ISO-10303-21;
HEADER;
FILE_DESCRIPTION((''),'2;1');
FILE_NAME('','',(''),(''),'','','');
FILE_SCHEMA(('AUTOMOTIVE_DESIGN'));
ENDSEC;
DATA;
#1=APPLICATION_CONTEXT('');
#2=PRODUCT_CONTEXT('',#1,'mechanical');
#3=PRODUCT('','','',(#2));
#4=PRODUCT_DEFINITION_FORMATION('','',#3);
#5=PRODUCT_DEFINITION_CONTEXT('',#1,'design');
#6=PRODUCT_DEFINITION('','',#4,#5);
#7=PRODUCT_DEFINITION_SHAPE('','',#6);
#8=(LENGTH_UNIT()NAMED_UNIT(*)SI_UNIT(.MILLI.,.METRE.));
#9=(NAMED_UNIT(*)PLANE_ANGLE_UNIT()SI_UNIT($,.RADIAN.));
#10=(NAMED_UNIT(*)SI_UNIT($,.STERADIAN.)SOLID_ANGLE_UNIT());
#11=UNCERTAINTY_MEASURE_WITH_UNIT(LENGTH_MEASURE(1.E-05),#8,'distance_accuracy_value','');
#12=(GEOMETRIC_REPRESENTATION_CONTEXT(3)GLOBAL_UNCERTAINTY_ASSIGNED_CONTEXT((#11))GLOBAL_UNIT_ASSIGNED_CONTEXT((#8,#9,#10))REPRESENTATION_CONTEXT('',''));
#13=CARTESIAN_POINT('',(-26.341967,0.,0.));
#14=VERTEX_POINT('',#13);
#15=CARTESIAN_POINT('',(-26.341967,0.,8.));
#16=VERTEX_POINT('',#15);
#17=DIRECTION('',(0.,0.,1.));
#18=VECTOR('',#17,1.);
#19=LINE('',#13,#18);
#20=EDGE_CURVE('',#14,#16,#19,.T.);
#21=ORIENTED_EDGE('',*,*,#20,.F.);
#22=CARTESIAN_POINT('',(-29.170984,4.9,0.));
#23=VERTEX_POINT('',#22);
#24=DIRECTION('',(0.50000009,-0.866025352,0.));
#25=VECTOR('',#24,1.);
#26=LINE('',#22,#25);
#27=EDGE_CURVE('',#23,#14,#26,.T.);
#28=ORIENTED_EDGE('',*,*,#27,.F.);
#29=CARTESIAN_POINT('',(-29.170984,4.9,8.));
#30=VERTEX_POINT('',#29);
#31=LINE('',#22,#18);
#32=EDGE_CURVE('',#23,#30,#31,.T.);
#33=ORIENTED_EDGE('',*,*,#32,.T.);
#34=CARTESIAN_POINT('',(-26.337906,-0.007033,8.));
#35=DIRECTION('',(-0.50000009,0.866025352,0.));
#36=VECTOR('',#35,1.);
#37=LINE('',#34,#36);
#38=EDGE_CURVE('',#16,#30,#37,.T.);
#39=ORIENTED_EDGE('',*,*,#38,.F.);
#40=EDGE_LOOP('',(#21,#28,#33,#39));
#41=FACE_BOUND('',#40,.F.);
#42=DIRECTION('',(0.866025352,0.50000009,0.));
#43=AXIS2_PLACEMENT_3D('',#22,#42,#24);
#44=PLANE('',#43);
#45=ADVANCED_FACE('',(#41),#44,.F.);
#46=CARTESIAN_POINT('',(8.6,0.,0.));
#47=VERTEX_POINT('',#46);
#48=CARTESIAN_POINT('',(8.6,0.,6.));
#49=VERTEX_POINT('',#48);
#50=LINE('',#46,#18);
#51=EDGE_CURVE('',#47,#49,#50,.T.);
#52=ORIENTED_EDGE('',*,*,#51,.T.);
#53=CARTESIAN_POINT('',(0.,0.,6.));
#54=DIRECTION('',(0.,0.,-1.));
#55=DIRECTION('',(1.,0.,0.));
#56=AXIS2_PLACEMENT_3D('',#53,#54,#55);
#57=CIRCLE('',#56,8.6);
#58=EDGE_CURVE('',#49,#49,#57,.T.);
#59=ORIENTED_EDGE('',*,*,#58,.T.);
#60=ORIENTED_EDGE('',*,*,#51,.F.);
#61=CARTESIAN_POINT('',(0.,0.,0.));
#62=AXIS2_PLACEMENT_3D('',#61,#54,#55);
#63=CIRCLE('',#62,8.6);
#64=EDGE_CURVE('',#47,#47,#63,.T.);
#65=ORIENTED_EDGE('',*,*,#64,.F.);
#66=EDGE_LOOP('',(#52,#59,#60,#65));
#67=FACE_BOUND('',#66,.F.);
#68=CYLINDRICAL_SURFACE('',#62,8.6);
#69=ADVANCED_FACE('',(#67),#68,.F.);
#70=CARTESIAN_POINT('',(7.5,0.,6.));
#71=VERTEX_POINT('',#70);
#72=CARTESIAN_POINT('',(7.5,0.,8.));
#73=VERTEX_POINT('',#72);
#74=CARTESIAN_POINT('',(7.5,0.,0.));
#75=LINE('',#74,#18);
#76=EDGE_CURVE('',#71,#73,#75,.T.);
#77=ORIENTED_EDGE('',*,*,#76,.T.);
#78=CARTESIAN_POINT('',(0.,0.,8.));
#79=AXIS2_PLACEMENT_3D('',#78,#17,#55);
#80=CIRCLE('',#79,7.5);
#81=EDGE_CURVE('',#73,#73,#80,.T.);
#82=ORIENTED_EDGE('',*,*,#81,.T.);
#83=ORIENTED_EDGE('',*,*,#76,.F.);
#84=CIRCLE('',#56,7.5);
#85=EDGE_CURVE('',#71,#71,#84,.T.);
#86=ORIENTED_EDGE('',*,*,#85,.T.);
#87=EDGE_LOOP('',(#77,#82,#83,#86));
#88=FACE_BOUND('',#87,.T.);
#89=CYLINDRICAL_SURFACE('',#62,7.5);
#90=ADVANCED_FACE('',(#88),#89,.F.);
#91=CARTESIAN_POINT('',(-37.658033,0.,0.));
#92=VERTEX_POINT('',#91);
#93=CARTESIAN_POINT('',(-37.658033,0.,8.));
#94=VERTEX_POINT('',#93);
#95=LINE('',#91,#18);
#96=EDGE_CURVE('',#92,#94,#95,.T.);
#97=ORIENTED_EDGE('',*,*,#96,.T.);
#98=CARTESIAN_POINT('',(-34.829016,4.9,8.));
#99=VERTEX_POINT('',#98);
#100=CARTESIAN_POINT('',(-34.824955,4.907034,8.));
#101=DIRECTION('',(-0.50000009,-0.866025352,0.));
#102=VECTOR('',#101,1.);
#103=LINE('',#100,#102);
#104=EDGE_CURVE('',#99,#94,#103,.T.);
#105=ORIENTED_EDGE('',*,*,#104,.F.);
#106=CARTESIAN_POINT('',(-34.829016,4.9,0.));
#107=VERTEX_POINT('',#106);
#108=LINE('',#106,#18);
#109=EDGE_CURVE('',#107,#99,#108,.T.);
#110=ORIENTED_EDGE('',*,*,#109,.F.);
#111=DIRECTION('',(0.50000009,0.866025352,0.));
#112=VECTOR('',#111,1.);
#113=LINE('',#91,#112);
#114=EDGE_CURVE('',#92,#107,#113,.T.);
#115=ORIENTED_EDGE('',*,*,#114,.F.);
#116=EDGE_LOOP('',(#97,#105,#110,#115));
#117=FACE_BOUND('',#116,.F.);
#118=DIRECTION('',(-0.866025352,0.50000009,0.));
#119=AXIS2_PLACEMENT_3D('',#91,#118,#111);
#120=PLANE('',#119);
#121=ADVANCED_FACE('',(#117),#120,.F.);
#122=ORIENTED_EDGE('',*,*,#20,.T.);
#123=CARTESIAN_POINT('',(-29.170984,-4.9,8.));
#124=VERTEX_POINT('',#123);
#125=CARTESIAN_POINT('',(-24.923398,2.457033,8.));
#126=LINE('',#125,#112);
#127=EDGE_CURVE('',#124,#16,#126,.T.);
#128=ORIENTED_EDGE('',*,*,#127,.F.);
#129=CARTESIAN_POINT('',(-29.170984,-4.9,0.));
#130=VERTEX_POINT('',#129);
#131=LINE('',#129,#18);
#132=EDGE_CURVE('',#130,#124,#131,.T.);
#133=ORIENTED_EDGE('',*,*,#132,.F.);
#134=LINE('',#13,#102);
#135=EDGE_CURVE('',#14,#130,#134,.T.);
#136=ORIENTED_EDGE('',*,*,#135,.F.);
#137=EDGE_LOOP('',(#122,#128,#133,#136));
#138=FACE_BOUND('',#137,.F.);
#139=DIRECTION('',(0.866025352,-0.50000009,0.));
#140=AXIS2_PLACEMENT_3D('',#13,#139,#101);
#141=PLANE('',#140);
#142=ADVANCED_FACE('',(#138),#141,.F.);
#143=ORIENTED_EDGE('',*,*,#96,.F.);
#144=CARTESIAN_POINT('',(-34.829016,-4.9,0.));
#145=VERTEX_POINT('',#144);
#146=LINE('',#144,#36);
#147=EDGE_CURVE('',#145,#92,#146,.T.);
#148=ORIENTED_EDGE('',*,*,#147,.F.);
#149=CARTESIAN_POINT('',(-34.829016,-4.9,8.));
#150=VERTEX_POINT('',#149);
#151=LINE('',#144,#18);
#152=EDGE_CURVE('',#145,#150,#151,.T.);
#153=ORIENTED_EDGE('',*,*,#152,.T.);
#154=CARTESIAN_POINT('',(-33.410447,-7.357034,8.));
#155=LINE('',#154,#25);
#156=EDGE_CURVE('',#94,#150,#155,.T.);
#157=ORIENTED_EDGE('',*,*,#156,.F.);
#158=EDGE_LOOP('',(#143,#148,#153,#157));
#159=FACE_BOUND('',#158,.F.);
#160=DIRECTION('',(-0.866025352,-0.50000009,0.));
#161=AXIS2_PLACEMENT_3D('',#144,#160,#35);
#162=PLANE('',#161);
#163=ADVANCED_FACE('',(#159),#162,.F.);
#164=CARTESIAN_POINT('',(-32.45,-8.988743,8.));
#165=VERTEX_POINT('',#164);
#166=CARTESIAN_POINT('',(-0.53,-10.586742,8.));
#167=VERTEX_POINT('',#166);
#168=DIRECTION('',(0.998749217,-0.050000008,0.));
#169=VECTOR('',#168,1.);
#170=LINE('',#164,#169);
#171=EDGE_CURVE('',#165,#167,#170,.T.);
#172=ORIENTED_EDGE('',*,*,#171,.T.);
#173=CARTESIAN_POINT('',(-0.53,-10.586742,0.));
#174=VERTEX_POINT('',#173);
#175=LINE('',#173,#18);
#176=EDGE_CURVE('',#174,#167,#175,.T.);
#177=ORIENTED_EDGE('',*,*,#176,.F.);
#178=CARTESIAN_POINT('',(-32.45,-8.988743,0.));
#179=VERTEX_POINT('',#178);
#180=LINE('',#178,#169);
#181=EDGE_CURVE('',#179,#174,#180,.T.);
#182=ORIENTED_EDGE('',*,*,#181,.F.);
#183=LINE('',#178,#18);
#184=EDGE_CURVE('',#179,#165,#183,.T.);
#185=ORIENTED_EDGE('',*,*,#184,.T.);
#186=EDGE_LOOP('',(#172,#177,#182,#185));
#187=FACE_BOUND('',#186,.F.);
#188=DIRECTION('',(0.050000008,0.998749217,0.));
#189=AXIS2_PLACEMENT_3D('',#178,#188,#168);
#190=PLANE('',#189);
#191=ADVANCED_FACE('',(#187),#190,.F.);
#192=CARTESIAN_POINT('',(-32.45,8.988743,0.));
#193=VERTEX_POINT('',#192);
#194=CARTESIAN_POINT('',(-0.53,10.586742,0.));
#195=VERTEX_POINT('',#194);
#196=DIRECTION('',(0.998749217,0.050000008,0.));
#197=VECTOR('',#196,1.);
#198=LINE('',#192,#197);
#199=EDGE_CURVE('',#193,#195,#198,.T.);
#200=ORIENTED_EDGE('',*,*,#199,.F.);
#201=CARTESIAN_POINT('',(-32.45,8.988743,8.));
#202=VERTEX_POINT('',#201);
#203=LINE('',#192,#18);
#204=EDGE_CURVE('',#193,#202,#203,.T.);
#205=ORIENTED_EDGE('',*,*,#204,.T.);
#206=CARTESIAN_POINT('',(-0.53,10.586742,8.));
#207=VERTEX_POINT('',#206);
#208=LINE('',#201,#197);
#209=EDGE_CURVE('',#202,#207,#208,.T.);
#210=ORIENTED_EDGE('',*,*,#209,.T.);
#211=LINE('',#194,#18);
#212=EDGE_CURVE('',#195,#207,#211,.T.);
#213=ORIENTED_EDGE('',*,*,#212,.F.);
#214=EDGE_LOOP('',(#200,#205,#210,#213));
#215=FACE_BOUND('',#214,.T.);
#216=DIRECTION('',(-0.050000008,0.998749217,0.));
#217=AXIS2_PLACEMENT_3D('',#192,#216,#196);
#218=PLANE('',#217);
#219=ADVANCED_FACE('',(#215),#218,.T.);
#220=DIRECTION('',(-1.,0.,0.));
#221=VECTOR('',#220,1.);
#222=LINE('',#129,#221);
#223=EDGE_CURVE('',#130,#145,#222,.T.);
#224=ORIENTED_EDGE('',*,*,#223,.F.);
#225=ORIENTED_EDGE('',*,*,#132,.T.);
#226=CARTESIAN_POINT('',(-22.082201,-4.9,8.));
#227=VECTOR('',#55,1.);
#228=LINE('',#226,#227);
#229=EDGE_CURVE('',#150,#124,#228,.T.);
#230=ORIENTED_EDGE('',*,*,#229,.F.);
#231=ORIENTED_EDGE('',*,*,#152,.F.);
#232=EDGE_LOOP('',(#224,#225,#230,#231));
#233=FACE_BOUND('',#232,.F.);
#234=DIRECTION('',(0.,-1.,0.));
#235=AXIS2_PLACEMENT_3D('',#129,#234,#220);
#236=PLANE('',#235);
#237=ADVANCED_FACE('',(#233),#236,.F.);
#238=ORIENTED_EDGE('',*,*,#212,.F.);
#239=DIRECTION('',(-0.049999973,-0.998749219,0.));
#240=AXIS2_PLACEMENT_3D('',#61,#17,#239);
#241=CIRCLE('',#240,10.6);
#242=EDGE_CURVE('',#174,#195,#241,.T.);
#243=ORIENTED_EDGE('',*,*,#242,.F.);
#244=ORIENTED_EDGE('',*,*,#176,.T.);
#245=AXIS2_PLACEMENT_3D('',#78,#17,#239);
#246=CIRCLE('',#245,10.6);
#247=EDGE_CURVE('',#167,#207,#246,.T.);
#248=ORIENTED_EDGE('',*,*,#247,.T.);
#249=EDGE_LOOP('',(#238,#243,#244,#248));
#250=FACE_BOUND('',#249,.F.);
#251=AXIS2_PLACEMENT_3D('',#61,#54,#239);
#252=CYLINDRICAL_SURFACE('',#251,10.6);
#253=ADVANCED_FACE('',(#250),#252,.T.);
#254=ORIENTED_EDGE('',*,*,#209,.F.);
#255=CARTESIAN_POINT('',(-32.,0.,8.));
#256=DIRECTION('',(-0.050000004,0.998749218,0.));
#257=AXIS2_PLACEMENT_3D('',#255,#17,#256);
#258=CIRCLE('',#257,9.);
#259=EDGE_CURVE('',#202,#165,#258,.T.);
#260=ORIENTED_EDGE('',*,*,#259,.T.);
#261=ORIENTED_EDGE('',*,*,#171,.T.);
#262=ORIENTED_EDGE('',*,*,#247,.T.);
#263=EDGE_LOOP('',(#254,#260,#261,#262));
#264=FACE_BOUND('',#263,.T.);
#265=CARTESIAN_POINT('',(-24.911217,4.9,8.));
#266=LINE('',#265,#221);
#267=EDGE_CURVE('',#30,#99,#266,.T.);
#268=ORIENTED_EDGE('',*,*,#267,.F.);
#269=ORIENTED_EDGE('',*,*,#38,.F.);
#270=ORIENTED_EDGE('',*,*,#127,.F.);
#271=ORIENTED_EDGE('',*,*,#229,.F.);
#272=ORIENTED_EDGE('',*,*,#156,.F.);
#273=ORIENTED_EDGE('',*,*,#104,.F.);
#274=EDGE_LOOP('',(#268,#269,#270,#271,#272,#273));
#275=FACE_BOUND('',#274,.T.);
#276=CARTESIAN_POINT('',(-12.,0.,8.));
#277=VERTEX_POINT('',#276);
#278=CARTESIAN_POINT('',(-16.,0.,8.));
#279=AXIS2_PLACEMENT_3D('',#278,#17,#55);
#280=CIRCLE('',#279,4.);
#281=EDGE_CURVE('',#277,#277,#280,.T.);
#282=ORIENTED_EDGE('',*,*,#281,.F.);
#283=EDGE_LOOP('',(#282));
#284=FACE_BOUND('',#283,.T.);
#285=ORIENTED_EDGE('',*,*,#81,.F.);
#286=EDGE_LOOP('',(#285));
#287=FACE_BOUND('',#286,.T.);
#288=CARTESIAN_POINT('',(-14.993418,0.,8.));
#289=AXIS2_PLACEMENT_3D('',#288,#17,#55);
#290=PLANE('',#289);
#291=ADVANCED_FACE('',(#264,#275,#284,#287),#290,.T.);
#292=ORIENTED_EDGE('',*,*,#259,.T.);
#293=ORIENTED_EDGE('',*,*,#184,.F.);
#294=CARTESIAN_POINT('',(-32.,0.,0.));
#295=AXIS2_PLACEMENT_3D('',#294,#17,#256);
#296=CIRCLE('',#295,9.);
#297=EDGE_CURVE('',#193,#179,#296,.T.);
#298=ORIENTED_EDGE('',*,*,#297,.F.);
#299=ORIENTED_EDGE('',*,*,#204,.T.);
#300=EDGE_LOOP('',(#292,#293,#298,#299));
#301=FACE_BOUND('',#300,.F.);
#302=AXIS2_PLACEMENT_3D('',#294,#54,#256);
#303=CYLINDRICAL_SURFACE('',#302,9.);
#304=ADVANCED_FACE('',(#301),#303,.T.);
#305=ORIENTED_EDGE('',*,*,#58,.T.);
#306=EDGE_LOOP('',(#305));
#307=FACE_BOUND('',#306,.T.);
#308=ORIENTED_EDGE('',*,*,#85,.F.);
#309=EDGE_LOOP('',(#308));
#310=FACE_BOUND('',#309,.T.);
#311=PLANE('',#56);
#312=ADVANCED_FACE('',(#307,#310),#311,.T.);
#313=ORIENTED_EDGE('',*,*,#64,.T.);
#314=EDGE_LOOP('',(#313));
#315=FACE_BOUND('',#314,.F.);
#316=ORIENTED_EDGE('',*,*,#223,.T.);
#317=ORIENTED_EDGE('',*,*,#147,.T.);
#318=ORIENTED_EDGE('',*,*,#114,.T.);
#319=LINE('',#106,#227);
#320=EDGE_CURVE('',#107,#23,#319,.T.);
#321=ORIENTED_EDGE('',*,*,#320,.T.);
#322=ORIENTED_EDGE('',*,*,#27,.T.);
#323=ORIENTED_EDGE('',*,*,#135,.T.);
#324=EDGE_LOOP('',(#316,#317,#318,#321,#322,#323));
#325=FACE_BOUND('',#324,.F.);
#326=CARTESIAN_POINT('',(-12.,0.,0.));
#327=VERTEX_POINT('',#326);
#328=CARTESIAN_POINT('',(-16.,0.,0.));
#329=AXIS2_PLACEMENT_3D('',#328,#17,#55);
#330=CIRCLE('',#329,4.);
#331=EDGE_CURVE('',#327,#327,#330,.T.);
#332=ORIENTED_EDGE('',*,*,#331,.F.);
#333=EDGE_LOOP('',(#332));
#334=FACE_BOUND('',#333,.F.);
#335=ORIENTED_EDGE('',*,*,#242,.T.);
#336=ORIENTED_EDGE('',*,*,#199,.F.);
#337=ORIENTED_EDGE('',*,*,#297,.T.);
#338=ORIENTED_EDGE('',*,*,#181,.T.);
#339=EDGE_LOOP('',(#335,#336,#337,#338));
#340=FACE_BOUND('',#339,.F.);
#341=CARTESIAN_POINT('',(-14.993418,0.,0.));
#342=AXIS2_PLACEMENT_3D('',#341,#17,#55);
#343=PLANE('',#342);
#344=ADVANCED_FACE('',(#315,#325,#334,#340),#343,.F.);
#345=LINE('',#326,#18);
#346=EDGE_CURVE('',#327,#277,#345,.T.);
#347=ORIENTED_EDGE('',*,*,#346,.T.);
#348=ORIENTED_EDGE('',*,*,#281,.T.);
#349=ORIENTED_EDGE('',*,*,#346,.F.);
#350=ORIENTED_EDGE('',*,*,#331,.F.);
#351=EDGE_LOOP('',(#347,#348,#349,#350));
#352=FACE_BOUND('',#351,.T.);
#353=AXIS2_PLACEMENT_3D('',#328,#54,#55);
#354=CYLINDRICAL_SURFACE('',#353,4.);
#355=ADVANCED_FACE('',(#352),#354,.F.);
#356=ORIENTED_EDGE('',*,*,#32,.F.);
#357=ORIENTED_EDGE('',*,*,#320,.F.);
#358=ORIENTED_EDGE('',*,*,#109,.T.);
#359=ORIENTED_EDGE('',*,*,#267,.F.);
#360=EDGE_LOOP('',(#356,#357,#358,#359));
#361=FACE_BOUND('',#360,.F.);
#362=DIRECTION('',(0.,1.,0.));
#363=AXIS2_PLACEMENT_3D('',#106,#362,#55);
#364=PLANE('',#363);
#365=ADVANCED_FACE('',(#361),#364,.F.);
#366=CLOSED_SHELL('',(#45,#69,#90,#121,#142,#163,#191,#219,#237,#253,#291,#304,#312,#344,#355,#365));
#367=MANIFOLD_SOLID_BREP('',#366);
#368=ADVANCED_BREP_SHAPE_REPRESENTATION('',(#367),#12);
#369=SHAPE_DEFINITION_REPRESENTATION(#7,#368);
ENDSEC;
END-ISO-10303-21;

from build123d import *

# Parameters (mm, degrees)
SKETCH_R        = 3.2
SKETCH_R_2      = 7.5
SKETCH_R_3      = 4
PAD_DEPTH       = 8
SKETCH001_R     = 8.6
POCKET_DEPTH    = 6
POCKET001_DEPTH = 8.001


with BuildPart() as part:
    # Sketch → Pad (new body)
    with BuildSketch(Plane.XY):
        with BuildLine():
            ThreePointArc((-32.45, 8.988743), (-41, 0), (-32.45, -8.988743))
            Line((-32.45, -8.988743), (-0.53, -10.586742))
            ThreePointArc((-0.53, -10.586742), (10.6, 0), (-0.53, 10.586742))
            Line((-32.45, 8.988743), (-0.53, 10.586742))
        make_face()
        with Locations((-32, 0)):
            Circle(SKETCH_R, mode=Mode.SUBTRACT)
        Circle(SKETCH_R_2, mode=Mode.SUBTRACT)
        with Locations((-16, 0)):
            Circle(SKETCH_R_3, mode=Mode.SUBTRACT)
    extrude(amount=PAD_DEPTH)

    # Sketch001 → Pocket (cut)
    with BuildSketch(Plane(origin=(0, 0, 0), x_dir=(1, 0, 0), z_dir=(0, 0, -1))):
        Circle(SKETCH001_R)
    extrude(amount=-POCKET_DEPTH, mode=Mode.SUBTRACT)

    # Sketch002 → Pocket001 (cut, through all)
    with BuildSketch(Plane(origin=(0, 0, 0), x_dir=(1, 0, 0), z_dir=(0, 0, -1))):
        Polygon((-34.829016, 4.9), (-37.658033, 0), (-34.829016, -4.9), (-29.170984, -4.9), (-26.341967, 0), (-29.170984, 4.9), align=None)
    extrude(amount=-POCKET001_DEPTH, mode=Mode.SUBTRACT)


solid = part.part
